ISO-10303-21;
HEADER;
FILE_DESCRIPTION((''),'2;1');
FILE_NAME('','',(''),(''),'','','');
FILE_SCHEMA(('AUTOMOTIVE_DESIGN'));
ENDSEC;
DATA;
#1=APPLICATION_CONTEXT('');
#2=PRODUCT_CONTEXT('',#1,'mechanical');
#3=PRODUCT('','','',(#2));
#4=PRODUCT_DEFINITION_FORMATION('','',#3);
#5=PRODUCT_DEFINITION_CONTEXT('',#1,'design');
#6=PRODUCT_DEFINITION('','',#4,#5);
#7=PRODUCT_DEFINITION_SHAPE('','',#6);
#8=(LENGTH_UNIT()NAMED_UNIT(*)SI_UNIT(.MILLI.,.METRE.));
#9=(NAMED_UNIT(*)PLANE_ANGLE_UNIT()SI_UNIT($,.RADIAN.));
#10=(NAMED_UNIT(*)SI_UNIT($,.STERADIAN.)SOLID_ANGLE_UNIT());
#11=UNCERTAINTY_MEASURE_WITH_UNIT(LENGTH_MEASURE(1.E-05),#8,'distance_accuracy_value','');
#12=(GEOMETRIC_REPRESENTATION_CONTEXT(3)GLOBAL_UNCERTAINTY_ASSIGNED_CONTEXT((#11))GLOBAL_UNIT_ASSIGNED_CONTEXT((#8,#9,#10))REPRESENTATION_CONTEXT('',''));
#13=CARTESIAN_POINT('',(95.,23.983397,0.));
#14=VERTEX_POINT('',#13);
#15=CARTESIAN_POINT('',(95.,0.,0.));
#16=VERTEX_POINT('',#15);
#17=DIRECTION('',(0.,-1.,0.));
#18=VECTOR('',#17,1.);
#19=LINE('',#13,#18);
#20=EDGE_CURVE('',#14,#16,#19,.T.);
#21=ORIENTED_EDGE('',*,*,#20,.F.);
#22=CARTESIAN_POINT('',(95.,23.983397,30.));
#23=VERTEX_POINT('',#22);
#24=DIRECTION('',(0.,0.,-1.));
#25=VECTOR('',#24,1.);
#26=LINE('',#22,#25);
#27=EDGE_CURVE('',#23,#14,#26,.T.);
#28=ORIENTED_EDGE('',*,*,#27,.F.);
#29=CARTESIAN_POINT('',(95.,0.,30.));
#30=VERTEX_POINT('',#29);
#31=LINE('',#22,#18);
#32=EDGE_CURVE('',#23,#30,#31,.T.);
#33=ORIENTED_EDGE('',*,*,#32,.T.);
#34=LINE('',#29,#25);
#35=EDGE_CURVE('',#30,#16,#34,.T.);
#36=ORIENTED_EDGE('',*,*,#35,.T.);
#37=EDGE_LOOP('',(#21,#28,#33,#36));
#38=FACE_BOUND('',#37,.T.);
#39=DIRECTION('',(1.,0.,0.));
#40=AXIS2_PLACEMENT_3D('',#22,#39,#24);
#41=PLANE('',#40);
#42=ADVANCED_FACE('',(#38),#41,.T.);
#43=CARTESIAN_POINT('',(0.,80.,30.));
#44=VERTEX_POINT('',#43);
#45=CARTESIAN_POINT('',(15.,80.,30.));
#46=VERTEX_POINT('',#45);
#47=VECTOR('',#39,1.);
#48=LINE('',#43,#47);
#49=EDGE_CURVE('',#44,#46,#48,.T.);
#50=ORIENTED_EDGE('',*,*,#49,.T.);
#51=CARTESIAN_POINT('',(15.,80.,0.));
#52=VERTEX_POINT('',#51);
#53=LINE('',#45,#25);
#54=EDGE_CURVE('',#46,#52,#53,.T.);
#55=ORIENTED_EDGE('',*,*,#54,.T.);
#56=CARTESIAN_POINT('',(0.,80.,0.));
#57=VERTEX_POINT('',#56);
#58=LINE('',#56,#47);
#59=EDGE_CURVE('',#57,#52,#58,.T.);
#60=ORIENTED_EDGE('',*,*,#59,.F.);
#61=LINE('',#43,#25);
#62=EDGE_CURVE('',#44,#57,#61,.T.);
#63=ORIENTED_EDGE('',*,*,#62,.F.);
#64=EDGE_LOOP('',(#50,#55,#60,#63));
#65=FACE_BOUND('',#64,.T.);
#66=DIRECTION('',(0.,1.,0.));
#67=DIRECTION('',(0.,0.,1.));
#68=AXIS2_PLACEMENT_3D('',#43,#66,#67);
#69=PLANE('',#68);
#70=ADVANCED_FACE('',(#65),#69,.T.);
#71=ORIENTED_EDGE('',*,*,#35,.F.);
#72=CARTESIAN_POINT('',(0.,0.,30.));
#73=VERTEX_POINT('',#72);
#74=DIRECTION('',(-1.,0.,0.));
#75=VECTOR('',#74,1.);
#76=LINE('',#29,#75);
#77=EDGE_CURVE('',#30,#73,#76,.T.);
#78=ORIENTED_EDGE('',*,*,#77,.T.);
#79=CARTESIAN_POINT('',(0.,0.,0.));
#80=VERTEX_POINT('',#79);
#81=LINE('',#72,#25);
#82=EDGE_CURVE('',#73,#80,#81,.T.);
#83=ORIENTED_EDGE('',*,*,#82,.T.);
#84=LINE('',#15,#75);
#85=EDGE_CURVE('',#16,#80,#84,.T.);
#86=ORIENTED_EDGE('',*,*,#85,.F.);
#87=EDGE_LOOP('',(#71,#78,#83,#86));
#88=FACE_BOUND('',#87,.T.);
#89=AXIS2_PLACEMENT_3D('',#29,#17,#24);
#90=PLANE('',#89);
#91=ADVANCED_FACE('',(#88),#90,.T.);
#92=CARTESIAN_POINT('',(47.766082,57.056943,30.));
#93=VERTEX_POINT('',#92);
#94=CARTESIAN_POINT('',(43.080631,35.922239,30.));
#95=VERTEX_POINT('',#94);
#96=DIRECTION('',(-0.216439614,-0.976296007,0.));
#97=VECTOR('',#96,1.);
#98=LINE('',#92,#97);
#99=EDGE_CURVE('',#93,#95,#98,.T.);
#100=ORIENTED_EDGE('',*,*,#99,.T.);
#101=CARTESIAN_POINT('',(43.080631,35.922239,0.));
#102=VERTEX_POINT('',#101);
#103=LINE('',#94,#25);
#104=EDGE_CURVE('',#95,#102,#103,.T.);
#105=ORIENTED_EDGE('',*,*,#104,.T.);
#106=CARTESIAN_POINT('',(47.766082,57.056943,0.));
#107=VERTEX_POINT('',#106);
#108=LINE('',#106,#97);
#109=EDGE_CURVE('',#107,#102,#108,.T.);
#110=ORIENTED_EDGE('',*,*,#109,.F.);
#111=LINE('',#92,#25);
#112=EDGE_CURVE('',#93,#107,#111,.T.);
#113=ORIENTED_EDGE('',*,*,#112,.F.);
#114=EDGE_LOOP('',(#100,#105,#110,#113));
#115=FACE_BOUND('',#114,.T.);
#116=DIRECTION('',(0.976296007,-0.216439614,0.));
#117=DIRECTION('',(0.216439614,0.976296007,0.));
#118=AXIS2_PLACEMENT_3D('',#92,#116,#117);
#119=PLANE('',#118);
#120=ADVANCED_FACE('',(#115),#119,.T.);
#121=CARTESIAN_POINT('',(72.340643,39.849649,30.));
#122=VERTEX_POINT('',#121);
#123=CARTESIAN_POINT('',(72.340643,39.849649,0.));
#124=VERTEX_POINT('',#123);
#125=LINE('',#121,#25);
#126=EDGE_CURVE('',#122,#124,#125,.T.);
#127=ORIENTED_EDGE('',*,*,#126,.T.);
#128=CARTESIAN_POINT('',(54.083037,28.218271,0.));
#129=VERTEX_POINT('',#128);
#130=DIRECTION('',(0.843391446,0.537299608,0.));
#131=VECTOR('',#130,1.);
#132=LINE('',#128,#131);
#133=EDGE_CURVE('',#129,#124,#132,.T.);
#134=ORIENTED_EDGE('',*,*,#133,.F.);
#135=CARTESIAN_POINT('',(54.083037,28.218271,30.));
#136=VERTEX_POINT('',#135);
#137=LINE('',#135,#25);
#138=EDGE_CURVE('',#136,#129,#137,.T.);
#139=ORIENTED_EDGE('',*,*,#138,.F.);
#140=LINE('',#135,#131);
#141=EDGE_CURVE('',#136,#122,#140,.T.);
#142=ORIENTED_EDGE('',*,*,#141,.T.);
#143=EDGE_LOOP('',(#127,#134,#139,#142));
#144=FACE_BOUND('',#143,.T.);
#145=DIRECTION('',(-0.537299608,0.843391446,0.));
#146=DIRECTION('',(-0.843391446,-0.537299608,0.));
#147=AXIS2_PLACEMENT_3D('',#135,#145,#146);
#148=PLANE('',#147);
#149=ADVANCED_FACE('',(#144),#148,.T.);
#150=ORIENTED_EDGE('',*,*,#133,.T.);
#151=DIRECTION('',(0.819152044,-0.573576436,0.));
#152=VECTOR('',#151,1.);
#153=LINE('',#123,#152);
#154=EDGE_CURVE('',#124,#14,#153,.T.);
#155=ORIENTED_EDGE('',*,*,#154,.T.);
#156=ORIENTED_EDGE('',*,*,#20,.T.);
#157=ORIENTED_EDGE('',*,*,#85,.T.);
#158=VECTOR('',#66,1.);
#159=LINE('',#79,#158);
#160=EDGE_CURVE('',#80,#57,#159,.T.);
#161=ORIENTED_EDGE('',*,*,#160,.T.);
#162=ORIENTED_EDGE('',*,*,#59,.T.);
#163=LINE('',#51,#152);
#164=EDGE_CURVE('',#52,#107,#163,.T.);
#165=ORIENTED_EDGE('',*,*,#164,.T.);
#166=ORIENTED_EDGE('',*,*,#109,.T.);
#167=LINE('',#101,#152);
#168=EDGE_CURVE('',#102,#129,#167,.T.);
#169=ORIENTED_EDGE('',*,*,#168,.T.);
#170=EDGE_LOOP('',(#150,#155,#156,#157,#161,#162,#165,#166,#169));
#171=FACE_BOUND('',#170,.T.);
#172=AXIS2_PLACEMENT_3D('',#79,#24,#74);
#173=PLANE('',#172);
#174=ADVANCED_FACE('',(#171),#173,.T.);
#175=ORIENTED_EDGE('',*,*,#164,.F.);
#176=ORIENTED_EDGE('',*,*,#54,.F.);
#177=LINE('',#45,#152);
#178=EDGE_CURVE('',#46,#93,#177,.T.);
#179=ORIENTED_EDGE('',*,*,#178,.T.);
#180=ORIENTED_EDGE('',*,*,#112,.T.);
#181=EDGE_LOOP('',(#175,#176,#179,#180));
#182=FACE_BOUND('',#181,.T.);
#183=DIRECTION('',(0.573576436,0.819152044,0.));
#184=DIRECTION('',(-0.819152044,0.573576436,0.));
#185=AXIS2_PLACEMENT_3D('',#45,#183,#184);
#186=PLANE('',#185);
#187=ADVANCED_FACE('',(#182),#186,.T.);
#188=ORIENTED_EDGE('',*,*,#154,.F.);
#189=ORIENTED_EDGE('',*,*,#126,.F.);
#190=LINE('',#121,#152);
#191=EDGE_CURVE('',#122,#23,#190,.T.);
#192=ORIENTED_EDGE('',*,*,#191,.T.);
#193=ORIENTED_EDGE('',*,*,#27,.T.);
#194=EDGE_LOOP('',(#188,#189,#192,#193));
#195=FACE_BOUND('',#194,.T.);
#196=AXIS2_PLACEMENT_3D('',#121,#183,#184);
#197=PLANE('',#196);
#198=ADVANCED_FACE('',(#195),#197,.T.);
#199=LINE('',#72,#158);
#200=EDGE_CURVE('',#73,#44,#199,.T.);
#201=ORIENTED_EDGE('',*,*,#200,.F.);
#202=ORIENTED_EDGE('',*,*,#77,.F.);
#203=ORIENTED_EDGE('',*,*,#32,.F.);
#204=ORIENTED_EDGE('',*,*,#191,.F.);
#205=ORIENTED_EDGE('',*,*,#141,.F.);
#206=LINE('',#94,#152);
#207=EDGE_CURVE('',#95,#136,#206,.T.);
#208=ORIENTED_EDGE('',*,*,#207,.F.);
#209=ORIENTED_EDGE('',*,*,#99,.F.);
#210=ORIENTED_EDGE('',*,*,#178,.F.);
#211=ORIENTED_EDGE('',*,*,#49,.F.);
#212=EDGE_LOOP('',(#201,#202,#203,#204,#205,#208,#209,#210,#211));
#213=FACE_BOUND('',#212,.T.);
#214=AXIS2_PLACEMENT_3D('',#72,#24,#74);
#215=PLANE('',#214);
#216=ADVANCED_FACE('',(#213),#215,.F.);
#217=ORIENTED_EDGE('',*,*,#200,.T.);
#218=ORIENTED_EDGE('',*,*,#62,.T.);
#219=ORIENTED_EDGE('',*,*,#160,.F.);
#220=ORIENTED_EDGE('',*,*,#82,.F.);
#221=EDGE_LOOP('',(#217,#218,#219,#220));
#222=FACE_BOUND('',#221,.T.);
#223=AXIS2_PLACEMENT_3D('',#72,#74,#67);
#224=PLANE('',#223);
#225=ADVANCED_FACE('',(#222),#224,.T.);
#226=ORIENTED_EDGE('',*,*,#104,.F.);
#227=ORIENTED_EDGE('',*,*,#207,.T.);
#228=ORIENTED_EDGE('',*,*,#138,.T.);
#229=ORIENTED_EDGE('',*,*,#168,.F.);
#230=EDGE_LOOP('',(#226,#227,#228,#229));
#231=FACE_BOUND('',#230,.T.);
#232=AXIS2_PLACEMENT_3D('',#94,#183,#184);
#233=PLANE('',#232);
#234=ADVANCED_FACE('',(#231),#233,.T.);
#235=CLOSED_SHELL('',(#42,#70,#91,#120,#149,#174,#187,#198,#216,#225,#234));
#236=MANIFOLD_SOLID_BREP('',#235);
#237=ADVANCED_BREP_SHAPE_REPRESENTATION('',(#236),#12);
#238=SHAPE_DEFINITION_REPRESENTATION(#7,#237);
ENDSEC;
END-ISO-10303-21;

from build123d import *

# Parameters (mm, degrees)
BOSS_EXTRUDE1_DEPTH = 30


with BuildPart() as part:
    # Sketch5 → Boss-Extrude1 (new body)
    with BuildSketch(Plane.XY):
        Polygon((0, 0), (0, 80), (15, 80), (47.766081772, 57.056942546), (43.080630772, 35.92223888), (54.083036645, 28.21827135), (72.3406431, 39.849649455), (95, 23.983396943), (95, 0), align=None)
    extrude(amount=BOSS_EXTRUDE1_DEPTH)


solid = part.part
